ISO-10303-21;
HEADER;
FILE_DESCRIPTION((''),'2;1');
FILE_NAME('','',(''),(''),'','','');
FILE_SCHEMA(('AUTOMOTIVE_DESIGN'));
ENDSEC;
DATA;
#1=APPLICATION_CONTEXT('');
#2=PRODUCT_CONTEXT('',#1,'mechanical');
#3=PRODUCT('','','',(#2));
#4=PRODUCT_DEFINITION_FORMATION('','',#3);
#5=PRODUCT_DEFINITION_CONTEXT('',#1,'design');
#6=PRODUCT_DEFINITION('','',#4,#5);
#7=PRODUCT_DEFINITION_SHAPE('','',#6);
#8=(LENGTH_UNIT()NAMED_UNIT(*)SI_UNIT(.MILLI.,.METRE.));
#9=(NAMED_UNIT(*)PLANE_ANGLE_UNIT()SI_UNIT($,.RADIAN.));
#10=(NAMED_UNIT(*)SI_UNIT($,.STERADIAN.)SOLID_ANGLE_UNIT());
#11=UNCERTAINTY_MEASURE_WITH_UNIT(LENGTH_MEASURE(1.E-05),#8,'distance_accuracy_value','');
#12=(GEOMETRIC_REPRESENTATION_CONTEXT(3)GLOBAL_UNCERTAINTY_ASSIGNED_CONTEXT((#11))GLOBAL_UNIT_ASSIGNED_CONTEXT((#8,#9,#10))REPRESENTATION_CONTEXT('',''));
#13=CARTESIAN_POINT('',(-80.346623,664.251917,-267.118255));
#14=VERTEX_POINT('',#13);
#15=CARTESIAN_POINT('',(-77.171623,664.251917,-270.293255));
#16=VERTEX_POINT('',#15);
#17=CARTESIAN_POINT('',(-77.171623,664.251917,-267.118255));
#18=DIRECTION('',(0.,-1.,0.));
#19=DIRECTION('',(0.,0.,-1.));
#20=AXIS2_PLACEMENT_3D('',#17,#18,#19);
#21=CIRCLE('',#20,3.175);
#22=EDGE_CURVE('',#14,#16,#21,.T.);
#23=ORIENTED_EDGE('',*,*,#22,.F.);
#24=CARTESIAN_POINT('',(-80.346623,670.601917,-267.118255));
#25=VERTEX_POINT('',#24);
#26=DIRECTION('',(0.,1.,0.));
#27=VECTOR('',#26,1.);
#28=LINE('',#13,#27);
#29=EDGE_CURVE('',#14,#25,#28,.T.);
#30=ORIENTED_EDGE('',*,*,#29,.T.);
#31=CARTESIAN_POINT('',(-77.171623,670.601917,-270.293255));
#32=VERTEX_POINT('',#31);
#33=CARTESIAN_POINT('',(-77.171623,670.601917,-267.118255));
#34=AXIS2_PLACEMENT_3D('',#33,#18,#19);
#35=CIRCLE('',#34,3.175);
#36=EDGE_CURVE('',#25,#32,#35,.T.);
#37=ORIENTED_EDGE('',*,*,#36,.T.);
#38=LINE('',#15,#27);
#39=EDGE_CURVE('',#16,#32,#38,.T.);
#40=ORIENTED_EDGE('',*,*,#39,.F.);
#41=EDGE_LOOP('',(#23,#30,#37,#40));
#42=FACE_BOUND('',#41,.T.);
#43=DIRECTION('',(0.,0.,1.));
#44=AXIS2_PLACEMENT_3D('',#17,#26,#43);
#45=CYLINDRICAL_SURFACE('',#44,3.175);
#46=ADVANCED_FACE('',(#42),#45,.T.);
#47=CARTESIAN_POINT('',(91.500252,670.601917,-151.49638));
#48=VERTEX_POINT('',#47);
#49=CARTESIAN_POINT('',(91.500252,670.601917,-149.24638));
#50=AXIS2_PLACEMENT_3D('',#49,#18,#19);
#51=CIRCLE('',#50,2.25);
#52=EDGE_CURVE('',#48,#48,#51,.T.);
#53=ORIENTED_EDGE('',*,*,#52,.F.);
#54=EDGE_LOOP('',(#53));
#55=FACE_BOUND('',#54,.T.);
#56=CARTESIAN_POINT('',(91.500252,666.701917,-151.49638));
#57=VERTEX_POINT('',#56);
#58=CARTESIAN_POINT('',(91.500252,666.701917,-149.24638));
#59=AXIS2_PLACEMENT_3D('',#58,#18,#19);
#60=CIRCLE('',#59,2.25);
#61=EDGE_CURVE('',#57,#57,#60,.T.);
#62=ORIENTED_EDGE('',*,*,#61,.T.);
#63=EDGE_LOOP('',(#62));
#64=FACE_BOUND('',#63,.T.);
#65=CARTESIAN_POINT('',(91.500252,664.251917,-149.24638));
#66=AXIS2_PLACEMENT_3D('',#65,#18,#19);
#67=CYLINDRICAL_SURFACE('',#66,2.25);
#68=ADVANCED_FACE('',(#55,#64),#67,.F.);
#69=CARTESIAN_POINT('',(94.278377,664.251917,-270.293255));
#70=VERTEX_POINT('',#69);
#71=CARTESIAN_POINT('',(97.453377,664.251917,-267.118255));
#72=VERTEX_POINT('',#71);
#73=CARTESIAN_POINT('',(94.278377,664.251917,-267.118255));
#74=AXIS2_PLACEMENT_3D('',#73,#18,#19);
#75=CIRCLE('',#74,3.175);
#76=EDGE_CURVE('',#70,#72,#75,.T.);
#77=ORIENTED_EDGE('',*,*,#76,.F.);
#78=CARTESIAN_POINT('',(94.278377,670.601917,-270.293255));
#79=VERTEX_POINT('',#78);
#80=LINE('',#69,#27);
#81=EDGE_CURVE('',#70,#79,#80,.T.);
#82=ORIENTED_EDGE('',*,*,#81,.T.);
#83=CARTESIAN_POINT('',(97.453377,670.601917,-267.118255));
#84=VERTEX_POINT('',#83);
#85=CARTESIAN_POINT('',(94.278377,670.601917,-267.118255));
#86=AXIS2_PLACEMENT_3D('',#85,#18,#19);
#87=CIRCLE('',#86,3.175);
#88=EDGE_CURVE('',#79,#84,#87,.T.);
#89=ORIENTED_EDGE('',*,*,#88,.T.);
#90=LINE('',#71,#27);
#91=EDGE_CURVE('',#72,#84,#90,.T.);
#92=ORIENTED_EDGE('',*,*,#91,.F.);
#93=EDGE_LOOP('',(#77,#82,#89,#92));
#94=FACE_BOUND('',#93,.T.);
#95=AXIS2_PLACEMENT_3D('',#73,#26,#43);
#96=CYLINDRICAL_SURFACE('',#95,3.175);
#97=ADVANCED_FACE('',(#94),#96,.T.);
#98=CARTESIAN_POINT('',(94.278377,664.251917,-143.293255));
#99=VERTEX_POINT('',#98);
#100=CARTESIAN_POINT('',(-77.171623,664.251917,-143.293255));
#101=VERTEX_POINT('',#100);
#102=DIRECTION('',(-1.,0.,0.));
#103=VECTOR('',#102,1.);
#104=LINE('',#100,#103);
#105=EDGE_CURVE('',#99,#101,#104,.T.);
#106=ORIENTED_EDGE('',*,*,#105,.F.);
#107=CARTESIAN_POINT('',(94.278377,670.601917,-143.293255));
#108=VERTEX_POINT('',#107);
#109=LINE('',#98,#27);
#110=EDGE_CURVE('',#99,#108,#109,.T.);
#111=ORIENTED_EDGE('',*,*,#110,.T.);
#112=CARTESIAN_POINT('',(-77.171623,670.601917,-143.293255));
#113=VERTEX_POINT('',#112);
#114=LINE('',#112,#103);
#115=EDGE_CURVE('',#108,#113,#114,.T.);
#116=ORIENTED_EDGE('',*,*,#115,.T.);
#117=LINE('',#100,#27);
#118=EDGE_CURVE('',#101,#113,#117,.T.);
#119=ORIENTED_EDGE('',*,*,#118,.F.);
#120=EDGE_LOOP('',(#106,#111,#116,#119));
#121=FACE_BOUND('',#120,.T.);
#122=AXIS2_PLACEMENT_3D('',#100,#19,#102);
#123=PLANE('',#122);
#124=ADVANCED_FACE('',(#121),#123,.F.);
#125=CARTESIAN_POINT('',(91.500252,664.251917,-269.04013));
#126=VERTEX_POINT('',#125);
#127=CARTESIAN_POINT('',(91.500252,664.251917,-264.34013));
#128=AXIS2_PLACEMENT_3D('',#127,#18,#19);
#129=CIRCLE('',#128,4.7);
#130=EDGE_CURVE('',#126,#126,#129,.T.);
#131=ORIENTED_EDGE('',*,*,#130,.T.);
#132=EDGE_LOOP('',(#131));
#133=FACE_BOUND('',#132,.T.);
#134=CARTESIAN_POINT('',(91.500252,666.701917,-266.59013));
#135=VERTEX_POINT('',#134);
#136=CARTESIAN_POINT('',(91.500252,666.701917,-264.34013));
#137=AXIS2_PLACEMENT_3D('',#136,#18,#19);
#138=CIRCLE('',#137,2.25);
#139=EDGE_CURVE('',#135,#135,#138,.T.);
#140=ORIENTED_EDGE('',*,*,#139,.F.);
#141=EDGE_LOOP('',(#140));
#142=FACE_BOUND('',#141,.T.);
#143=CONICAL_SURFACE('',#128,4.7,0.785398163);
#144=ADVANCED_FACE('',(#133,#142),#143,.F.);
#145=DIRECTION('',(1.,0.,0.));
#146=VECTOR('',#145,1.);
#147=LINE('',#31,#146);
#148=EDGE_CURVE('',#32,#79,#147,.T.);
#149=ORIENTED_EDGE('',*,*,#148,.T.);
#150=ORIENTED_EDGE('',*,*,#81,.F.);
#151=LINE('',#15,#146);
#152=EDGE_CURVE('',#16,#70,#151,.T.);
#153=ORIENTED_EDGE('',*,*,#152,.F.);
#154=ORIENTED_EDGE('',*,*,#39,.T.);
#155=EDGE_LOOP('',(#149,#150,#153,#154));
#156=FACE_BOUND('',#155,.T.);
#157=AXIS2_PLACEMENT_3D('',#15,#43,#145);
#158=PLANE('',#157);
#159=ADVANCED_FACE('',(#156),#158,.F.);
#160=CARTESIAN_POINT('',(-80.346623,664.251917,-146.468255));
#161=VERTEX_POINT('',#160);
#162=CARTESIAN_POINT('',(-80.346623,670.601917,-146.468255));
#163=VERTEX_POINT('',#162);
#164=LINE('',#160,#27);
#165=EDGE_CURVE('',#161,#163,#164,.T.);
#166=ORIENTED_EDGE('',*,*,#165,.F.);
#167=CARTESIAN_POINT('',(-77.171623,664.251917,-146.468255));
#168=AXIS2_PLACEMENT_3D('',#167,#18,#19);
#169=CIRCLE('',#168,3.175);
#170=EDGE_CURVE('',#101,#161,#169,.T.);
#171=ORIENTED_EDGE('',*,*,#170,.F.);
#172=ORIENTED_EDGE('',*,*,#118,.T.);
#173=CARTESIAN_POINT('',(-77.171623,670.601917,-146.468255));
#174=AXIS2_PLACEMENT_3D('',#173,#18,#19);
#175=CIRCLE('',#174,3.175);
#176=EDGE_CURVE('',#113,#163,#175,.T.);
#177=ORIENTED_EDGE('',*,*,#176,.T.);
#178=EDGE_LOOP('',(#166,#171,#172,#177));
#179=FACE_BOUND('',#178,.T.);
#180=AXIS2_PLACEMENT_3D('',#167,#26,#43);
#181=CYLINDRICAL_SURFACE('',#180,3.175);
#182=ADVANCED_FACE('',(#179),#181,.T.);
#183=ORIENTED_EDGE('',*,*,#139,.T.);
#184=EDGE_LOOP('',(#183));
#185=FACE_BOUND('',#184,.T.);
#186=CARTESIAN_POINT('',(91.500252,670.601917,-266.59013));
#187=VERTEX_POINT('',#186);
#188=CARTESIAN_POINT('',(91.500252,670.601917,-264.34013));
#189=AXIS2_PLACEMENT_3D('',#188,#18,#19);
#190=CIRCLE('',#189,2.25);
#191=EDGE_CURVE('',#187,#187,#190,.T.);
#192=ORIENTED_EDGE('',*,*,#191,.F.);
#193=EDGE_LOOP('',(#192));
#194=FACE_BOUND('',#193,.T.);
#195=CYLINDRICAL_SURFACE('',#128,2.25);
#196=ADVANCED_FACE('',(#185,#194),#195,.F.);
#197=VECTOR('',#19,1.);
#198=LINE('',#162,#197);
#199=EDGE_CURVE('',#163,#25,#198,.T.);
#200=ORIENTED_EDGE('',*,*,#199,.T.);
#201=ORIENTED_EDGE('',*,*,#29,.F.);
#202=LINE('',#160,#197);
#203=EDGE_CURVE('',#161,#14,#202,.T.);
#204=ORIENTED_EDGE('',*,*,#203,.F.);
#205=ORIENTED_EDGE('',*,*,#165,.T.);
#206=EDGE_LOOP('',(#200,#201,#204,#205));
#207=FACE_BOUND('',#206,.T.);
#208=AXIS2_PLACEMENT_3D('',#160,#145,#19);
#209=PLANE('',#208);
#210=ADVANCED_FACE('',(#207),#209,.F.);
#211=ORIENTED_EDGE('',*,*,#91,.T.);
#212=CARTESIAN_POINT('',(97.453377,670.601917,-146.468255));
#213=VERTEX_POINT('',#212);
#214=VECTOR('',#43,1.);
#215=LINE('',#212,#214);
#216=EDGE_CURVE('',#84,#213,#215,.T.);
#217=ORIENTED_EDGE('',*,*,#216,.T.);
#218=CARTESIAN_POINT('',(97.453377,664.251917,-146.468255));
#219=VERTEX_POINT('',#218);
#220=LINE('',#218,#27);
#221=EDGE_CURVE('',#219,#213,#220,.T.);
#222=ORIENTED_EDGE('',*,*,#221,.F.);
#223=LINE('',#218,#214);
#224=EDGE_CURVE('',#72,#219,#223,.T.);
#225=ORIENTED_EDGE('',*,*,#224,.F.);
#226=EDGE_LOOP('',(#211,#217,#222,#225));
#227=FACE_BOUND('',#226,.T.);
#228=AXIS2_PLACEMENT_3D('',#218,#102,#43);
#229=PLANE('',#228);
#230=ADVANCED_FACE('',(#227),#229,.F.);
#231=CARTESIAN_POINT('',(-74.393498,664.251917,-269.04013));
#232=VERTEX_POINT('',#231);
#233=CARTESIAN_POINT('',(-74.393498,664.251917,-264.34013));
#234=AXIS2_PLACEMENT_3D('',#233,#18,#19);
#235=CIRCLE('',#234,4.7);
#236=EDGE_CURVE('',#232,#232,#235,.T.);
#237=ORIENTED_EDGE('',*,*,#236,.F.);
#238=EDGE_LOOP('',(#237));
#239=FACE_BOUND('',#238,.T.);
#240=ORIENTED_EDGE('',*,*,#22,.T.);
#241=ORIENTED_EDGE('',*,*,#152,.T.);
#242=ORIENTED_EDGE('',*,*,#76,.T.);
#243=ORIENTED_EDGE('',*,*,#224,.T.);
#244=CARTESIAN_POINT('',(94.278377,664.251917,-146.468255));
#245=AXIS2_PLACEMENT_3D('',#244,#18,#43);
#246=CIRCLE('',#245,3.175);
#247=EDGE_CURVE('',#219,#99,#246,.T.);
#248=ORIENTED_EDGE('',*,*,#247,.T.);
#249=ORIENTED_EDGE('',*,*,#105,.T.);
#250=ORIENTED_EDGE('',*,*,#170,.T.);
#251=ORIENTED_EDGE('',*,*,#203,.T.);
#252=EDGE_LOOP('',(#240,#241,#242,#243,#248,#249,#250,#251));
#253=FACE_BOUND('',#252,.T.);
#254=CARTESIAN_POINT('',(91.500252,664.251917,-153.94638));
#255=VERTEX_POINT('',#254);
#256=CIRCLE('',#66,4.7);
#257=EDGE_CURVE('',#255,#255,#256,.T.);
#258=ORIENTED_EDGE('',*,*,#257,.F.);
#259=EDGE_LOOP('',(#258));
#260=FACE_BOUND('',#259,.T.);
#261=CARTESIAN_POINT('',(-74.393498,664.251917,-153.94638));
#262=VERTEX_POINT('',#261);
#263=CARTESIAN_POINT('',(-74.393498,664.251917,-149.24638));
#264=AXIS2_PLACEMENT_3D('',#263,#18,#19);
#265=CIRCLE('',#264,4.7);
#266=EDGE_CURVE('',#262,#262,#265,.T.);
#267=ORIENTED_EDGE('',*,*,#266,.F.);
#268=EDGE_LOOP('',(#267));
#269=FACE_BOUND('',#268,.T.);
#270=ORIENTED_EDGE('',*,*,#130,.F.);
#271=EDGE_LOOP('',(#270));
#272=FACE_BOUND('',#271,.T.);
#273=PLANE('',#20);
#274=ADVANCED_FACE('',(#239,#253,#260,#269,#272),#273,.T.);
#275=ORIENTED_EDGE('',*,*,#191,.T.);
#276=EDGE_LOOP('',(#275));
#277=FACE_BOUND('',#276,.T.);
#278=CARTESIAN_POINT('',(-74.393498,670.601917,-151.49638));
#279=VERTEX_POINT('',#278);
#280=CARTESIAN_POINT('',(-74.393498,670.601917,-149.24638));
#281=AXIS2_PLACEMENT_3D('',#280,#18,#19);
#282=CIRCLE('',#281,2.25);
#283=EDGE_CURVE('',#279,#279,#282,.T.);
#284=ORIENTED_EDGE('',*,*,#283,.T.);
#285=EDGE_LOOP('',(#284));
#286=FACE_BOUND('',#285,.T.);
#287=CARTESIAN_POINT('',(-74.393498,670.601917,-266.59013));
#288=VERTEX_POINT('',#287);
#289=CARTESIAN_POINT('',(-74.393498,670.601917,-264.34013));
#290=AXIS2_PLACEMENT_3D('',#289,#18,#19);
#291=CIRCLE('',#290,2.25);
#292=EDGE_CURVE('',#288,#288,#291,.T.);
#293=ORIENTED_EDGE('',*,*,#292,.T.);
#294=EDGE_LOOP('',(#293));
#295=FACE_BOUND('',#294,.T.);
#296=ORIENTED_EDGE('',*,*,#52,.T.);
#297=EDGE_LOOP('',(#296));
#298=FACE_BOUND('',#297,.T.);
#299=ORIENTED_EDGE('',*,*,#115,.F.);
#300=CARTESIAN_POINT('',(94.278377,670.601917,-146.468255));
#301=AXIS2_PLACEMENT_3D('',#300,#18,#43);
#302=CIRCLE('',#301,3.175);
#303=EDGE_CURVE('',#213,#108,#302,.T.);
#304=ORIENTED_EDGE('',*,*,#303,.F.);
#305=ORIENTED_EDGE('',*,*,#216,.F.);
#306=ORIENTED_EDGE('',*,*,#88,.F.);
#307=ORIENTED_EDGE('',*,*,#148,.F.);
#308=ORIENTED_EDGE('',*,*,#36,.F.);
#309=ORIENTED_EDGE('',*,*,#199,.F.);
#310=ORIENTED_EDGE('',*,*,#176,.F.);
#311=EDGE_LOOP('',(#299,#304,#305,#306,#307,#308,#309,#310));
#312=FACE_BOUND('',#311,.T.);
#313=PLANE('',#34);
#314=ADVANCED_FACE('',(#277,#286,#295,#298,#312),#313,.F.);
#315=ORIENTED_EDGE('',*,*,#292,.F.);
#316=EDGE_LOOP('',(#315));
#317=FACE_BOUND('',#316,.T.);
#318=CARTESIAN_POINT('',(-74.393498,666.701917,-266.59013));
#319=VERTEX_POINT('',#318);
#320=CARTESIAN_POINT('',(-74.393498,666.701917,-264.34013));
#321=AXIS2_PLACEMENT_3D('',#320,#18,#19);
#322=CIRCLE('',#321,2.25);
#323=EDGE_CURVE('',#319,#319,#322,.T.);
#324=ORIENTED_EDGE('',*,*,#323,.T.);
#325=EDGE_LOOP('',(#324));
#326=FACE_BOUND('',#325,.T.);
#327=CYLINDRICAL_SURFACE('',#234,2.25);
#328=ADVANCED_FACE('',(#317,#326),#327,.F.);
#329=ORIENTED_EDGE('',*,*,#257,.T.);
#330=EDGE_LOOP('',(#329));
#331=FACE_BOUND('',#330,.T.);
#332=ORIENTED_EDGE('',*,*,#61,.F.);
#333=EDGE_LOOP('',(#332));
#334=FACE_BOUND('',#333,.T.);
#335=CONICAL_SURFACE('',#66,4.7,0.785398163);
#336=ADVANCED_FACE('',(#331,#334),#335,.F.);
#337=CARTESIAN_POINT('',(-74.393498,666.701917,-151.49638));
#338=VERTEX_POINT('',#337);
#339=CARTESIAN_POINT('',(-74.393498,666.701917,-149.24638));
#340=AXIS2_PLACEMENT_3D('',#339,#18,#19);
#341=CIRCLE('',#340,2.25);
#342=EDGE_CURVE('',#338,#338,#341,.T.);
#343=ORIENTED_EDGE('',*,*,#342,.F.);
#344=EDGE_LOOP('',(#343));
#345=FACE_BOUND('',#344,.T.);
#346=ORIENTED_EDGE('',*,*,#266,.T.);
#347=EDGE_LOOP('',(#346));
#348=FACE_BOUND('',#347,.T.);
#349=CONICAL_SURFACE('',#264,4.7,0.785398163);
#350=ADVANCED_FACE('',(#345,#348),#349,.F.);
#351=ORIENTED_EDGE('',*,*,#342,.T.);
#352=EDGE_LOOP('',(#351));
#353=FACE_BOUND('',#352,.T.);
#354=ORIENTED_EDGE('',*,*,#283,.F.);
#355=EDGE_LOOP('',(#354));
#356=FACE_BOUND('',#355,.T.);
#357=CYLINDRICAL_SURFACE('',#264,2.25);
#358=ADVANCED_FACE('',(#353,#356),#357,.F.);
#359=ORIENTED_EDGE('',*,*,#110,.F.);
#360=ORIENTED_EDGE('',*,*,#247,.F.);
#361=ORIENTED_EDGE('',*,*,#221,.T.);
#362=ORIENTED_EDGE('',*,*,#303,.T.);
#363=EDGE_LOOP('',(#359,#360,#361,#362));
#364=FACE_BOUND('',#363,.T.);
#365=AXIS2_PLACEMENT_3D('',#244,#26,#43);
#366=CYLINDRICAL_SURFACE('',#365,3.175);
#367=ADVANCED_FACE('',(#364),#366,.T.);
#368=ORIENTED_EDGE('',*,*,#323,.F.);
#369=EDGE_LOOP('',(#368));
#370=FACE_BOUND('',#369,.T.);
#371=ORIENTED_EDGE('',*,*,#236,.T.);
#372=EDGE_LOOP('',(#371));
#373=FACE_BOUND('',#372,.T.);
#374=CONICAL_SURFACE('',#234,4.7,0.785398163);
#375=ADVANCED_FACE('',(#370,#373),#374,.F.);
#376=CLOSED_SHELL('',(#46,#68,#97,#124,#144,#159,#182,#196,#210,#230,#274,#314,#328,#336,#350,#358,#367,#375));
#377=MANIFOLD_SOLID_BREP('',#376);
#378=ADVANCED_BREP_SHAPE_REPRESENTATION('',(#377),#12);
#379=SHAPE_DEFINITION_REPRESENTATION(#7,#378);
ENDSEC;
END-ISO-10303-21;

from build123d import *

# Parameters (mm, degrees)
BOSS_EXTRUDE1_DEPTH                             = 6.35
CSK_FOR_M4_FLAT_HEAD_MACHINE_SCREW1_D           = 4.5
CSK_FOR_M4_FLAT_HEAD_MACHINE_SCREW1_CSINK_D     = 9.4
CSK_FOR_M4_FLAT_HEAD_MACHINE_SCREW1_CSINK_ANGLE = 90


with BuildPart() as part:
    # Sketch1 → Boss-Extrude1 (new body)
    with BuildSketch(Plane.XZ.offset(-670.601916524)):
        with BuildLine():
            Line((-77.171622513, -143.293254717), (94.278377487, -143.293254717))
            ThreePointArc((94.278377487, -143.293254717), (96.523441517, -144.223190687), (97.453377487, -146.468254717))
            Line((97.453377487, -146.468254717), (97.453377487, -267.118254717))
            ThreePointArc((97.453377487, -267.118254717), (96.523441517, -269.363318747), (94.278377487, -270.293254717))
            Line((94.278377487, -270.293254717), (-77.171622513, -270.293254717))
            ThreePointArc((-77.171622513, -270.293254717), (-79.416686543, -269.363318747), (-80.346622513, -267.118254717))
            Line((-80.346622513, -267.118254717), (-80.346622513, -146.468254717))
            ThreePointArc((-80.346622513, -146.468254717), (-79.416686543, -144.223190687), (-77.171622513, -143.293254717))
        make_face()
    extrude(amount=BOSS_EXTRUDE1_DEPTH)

    # CSK for M4 Flat Head Machine Screw1 (through all)
    with Locations(Plane(origin=(0, 664.251916524, 0), x_dir=(-1, 0, 0), z_dir=(0, -1, 0))):
        with Locations((-91.500252487, 149.246379717), (-91.500252487, 264.340129717), (74.393497513, 264.340129717), (74.393497513, 149.246379717)):
            CounterSinkHole(CSK_FOR_M4_FLAT_HEAD_MACHINE_SCREW1_D / 2, CSK_FOR_M4_FLAT_HEAD_MACHINE_SCREW1_CSINK_D / 2, counter_sink_angle=CSK_FOR_M4_FLAT_HEAD_MACHINE_SCREW1_CSINK_ANGLE)


solid = part.part
